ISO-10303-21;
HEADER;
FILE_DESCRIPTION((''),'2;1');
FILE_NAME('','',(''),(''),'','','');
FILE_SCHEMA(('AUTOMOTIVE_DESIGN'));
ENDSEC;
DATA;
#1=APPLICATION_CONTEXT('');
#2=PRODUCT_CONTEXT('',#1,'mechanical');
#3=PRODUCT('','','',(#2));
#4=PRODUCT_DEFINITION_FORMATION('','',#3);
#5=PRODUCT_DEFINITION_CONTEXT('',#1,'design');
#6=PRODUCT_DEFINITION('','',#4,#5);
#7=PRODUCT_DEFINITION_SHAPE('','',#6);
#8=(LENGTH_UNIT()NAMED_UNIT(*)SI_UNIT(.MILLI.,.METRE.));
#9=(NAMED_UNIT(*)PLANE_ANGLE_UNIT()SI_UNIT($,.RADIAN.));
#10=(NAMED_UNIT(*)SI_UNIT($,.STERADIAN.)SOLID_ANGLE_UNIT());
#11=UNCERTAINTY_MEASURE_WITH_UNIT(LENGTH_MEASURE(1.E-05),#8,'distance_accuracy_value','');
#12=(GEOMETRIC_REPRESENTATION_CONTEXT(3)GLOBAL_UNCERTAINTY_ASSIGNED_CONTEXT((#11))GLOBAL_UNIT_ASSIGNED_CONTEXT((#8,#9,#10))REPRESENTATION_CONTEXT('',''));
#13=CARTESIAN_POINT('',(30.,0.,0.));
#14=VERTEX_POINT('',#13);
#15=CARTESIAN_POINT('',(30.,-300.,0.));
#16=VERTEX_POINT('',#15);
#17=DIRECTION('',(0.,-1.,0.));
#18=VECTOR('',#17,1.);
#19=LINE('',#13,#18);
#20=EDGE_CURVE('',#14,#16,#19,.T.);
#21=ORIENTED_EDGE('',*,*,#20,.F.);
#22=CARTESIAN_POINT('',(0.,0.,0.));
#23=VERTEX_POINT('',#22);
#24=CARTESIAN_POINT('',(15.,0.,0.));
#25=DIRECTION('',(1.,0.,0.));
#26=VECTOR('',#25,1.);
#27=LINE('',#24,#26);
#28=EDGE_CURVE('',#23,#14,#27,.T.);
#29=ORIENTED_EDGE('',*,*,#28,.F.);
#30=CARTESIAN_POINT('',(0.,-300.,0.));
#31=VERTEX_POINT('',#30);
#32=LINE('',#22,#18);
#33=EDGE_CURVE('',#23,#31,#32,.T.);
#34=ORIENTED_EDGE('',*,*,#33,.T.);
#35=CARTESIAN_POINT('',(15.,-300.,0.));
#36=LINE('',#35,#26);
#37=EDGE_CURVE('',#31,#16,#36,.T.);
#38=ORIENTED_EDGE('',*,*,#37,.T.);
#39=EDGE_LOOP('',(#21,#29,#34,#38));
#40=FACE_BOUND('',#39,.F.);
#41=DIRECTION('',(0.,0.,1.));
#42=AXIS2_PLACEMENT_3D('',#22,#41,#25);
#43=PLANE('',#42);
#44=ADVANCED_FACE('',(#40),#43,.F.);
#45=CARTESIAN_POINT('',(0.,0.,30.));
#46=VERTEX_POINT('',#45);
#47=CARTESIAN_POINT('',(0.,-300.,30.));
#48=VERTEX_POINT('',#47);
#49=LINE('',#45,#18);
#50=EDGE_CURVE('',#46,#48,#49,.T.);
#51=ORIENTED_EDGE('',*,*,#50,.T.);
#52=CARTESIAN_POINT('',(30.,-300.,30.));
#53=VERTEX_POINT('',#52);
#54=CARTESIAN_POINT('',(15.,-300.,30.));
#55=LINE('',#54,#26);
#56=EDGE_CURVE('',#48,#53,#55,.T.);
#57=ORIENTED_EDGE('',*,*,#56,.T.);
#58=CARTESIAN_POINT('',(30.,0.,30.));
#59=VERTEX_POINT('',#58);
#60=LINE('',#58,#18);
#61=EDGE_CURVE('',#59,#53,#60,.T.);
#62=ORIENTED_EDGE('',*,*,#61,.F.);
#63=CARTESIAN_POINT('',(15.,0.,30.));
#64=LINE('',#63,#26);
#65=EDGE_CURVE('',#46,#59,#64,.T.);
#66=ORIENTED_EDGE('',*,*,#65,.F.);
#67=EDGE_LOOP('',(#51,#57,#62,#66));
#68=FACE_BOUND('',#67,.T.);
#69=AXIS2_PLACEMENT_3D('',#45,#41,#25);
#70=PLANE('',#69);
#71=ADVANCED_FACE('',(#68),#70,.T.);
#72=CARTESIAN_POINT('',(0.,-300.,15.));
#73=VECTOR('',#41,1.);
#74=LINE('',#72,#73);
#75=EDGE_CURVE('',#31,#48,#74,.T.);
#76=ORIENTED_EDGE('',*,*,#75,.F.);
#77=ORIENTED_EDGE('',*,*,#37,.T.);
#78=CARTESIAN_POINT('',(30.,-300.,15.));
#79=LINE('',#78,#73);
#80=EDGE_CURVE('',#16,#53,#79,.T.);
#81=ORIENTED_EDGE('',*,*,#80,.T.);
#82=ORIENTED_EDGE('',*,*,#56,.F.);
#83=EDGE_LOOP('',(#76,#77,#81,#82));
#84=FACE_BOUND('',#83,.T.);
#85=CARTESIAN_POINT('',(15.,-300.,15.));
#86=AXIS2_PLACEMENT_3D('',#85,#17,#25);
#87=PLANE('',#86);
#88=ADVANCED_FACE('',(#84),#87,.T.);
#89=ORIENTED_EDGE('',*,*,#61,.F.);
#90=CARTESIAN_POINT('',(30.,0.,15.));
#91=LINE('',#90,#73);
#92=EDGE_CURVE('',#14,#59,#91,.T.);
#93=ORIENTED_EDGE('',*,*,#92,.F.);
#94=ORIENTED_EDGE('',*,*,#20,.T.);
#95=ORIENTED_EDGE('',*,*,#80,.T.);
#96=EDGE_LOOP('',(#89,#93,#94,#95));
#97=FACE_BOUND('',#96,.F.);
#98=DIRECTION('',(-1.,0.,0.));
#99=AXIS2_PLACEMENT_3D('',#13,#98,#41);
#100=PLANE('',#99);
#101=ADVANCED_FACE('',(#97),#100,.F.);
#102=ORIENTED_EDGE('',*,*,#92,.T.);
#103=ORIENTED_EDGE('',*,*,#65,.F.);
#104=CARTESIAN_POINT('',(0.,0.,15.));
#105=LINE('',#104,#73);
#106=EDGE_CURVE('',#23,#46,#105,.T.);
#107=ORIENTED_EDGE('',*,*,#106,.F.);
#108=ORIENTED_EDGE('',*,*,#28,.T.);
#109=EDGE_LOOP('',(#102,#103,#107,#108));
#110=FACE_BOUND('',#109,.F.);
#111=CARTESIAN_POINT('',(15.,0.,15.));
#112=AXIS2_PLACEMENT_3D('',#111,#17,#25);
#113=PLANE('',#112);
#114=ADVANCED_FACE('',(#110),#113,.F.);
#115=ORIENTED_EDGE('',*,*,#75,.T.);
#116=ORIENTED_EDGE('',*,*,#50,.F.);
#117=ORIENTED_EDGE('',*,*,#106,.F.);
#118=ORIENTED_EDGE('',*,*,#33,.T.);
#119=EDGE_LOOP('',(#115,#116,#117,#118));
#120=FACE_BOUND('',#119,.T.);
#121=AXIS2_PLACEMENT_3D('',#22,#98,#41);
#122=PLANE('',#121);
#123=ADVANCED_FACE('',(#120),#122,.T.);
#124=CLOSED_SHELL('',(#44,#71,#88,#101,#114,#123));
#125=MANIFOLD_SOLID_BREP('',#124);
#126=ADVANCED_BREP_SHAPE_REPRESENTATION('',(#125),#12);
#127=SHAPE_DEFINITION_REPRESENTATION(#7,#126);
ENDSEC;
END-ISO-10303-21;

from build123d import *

# Parameters (mm, degrees)
SKETCH_W  = 30
SKETCH_H  = 30
PAD_DEPTH = 300


with BuildPart() as part:
    # Sketch → Pad (new body)
    with BuildSketch(Plane.XZ):
        with Locations((15, 15)):
            Rectangle(SKETCH_W, SKETCH_H)
    extrude(amount=PAD_DEPTH)


solid = part.part
